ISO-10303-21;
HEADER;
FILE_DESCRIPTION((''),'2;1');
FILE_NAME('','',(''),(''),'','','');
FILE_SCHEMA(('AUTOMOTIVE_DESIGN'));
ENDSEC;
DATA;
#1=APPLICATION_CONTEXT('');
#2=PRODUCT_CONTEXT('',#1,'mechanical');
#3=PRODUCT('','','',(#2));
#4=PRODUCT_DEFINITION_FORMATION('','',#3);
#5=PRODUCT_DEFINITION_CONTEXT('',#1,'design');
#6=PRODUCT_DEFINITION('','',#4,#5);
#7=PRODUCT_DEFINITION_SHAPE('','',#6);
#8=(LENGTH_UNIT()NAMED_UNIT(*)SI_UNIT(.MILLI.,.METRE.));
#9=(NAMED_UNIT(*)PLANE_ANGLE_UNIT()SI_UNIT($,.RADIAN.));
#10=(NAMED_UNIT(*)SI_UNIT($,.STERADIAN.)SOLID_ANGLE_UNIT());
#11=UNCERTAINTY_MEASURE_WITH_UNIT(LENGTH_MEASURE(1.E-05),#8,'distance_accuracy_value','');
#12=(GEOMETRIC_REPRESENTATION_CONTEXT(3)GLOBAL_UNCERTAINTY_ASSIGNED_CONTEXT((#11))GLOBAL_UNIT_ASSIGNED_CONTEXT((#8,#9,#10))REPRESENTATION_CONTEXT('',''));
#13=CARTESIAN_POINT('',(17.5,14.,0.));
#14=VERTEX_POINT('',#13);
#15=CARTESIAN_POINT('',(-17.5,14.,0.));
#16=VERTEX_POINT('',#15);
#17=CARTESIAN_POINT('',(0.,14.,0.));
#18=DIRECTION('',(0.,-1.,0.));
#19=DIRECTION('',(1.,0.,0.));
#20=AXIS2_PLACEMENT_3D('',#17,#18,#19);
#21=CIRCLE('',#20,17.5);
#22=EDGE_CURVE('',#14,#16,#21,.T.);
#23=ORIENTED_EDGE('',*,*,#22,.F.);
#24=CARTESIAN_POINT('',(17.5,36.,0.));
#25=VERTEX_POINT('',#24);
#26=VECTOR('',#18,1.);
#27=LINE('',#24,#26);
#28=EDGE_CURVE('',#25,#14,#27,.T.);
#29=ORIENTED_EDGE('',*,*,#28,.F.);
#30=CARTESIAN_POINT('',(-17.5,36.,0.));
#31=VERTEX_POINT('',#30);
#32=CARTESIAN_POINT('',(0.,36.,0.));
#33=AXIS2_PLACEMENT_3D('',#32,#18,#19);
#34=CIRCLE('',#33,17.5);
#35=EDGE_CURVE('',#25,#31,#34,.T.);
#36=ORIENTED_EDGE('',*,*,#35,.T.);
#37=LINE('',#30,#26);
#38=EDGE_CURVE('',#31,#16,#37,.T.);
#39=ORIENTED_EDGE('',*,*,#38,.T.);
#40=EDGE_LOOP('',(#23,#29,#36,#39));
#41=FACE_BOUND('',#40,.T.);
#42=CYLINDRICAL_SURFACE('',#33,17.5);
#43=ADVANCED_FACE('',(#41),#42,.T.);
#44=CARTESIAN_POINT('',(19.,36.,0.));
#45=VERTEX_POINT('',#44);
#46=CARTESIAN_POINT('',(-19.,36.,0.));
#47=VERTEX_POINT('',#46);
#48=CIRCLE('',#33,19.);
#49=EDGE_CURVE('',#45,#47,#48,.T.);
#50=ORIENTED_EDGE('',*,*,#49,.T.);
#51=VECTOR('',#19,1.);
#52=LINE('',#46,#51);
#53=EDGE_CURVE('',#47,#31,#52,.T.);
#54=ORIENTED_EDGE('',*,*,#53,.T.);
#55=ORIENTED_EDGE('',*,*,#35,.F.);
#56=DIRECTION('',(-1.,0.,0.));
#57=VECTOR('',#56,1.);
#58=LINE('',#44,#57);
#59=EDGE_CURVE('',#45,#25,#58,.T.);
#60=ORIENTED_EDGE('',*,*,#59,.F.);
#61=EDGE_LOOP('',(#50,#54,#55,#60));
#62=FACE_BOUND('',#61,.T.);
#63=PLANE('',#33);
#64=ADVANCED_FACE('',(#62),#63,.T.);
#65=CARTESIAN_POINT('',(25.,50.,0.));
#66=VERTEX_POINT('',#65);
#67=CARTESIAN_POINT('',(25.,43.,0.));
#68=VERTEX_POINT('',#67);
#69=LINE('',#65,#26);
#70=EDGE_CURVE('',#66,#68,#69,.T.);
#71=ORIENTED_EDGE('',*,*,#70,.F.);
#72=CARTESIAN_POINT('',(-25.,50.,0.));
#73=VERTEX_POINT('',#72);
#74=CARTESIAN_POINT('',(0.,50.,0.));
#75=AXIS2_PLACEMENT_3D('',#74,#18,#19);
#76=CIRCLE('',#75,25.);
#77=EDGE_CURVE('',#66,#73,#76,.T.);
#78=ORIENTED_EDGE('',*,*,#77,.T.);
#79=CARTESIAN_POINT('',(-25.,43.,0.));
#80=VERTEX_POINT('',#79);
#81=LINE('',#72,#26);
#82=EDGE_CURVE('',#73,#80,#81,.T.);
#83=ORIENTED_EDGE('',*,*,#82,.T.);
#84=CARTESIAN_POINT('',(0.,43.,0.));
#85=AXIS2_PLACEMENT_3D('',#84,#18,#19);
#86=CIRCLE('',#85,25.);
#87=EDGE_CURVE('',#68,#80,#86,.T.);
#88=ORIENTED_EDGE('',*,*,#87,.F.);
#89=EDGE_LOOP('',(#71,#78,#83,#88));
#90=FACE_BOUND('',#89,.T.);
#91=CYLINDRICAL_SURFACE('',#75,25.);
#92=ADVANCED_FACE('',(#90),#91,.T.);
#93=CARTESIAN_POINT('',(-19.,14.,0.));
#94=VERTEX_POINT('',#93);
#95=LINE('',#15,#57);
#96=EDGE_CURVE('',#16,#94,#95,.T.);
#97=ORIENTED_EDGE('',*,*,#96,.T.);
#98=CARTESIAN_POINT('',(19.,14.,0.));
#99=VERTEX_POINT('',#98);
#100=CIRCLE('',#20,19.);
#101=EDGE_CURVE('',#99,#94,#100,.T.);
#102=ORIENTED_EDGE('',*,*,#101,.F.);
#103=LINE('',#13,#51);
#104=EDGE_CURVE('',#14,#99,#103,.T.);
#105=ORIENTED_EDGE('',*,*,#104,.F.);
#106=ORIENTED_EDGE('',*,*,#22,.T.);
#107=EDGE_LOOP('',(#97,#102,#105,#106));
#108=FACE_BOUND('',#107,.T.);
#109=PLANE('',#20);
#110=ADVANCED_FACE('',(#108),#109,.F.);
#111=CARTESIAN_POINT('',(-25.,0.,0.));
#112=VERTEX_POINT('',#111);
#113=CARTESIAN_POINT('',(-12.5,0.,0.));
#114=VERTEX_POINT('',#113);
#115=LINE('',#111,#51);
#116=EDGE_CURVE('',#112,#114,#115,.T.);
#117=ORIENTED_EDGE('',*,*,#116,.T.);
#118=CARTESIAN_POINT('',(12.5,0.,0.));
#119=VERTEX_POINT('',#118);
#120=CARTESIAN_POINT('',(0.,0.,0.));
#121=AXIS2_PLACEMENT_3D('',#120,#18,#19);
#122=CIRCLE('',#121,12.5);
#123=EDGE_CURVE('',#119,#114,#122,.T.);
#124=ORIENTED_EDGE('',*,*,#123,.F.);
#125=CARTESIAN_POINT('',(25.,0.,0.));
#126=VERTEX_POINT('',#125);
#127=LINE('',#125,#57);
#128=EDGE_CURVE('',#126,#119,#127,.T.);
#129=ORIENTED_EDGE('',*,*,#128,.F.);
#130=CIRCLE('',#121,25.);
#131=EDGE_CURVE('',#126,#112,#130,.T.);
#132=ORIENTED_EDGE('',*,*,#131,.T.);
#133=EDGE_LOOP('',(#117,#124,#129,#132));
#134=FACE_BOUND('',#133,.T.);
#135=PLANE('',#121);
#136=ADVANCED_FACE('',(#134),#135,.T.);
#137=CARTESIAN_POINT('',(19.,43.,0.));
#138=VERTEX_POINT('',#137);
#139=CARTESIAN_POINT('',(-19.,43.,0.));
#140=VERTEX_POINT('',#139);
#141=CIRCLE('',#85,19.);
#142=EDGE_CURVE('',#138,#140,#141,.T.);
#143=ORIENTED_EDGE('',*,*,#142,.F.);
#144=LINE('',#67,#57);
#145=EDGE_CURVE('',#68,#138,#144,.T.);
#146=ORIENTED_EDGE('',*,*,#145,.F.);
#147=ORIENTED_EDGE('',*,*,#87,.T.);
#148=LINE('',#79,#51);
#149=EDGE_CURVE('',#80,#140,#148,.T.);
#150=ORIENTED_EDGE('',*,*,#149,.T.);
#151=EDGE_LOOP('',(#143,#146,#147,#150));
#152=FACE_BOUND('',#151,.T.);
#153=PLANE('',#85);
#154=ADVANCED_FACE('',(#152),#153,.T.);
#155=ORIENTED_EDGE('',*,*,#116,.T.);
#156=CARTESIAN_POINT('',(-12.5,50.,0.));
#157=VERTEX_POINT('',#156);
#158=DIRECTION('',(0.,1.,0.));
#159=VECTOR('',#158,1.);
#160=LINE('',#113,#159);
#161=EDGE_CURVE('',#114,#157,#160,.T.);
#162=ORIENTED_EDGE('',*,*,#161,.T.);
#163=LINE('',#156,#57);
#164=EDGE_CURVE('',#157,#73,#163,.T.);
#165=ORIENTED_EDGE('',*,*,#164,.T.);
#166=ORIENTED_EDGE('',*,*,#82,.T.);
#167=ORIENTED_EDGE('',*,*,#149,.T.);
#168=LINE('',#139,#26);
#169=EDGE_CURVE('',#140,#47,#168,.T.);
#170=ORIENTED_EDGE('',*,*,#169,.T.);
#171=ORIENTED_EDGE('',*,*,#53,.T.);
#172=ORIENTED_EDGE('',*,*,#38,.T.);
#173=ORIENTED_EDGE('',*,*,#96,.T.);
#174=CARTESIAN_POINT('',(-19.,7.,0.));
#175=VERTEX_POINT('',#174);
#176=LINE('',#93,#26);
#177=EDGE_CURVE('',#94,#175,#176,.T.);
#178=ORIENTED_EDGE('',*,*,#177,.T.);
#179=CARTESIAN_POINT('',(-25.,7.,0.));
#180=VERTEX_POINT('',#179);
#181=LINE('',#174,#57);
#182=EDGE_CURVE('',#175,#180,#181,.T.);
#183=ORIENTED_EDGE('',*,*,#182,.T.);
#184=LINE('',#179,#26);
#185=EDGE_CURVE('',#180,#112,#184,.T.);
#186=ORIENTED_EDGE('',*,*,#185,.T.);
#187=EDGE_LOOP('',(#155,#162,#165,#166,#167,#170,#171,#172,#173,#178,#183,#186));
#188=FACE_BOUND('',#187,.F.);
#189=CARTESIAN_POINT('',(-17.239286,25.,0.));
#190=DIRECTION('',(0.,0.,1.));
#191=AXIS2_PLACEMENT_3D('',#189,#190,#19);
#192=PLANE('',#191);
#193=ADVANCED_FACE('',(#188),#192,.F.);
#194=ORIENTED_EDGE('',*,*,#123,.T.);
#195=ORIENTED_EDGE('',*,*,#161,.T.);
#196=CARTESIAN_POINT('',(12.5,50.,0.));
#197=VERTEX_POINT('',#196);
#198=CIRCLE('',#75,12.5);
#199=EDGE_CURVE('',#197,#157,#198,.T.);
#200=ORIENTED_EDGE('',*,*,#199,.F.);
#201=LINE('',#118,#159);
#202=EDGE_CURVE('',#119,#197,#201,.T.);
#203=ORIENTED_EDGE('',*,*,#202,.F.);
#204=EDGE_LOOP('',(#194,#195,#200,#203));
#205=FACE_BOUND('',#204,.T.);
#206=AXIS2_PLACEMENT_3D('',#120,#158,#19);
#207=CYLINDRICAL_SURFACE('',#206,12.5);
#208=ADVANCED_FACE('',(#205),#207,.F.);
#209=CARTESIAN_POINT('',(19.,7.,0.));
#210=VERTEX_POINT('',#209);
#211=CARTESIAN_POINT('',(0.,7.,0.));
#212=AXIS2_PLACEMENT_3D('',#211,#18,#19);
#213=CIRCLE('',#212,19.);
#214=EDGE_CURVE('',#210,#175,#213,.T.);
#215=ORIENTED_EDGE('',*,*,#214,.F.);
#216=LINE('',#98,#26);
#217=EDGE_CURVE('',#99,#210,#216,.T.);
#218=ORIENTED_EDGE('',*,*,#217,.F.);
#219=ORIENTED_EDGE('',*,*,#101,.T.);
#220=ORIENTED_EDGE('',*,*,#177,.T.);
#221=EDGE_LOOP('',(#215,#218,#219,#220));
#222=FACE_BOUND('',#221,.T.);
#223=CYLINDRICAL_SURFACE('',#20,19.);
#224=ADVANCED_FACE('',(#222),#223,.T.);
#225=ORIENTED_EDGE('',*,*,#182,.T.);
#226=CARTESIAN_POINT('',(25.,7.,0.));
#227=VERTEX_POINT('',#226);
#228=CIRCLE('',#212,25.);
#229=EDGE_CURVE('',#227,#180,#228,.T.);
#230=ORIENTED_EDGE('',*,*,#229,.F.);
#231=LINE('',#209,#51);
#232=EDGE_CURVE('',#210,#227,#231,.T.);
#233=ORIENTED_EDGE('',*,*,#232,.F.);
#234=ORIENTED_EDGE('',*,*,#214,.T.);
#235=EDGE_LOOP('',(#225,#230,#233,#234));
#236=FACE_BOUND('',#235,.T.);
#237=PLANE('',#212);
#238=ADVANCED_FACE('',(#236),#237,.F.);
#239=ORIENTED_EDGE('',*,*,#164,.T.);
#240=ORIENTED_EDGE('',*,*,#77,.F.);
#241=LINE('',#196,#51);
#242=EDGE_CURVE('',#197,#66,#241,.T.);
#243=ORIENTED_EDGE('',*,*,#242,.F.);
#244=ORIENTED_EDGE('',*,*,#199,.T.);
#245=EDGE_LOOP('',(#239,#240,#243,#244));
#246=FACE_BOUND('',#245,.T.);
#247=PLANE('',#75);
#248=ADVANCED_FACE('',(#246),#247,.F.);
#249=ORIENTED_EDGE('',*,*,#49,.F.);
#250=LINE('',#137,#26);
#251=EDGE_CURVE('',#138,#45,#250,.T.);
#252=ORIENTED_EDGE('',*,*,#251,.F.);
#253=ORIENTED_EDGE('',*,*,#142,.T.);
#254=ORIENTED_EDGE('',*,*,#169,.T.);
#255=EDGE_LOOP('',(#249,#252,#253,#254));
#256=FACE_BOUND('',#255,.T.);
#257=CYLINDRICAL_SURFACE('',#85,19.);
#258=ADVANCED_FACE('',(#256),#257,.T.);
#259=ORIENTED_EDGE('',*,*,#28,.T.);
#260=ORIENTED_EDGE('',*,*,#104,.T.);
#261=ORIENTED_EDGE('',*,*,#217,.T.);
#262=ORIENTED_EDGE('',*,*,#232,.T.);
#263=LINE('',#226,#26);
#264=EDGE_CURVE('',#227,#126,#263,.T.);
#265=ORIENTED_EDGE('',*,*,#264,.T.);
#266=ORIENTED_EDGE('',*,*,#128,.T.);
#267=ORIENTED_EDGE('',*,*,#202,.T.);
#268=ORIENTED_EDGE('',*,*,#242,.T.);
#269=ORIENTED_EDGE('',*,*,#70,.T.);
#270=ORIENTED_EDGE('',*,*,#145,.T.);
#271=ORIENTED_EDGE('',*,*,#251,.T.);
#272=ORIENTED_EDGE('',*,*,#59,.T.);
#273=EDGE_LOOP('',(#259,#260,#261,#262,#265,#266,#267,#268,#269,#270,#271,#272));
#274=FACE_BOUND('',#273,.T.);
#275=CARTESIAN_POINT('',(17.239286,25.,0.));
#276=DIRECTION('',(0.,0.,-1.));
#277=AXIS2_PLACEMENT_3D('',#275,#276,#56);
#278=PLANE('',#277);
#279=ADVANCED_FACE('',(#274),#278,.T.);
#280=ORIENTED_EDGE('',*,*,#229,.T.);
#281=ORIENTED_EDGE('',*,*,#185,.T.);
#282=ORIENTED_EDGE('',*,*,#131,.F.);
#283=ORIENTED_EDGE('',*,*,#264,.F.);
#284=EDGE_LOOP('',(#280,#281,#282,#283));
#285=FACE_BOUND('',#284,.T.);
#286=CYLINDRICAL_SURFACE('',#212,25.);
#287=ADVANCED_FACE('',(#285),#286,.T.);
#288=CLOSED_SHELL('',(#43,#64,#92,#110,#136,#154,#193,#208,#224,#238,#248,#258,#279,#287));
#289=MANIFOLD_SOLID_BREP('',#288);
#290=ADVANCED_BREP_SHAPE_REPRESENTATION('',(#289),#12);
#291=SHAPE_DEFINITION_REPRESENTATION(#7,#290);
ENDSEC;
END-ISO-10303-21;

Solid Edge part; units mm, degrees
sketch "Sketch1" plane through (0, 0, 0) normal (0, 0, 1) x (1, 0, 0)
  line L0 (12.5, 0) -> (12.5, 50)
  line L1 (12.5, 50) -> (25, 50)
  line L2 (25, 50) -> (25, 43)
  line L3 (25, 43) -> (19, 43)
  line L4 (19, 43) -> (19, 36)
  line L5 (19, 36) -> (17.5, 36)
  line L6 (17.5, 36) -> (17.5, 14)
  line L7 (17.5, 14) -> (19, 14)
  line L8 (19, 14) -> (19, 7)
  line L9 (19, 7) -> (25, 7)
  line L10 (25, 7) -> (25, 0)
  line L11 (25, 0) -> (12.5, 0)
  dimension "D1" = 50
  dimension "D2" = 25
  dimension "D3" = 19
  dimension "D4" = 17.5
  dimension "D5" = 12.5
  dimension "D6" = 19
  dimension "D7" = 25
  dimension "D8" = 7
  dimension "D9" = 7
  dimension "D10" = 7
  dimension "D11" = 7
  dimension "D12" = 22
revolve "RevolvedProtrusion1" add sketch "Sketch1" angle 180 about axis through (0, 54, 0) along (0, -1, 0)
